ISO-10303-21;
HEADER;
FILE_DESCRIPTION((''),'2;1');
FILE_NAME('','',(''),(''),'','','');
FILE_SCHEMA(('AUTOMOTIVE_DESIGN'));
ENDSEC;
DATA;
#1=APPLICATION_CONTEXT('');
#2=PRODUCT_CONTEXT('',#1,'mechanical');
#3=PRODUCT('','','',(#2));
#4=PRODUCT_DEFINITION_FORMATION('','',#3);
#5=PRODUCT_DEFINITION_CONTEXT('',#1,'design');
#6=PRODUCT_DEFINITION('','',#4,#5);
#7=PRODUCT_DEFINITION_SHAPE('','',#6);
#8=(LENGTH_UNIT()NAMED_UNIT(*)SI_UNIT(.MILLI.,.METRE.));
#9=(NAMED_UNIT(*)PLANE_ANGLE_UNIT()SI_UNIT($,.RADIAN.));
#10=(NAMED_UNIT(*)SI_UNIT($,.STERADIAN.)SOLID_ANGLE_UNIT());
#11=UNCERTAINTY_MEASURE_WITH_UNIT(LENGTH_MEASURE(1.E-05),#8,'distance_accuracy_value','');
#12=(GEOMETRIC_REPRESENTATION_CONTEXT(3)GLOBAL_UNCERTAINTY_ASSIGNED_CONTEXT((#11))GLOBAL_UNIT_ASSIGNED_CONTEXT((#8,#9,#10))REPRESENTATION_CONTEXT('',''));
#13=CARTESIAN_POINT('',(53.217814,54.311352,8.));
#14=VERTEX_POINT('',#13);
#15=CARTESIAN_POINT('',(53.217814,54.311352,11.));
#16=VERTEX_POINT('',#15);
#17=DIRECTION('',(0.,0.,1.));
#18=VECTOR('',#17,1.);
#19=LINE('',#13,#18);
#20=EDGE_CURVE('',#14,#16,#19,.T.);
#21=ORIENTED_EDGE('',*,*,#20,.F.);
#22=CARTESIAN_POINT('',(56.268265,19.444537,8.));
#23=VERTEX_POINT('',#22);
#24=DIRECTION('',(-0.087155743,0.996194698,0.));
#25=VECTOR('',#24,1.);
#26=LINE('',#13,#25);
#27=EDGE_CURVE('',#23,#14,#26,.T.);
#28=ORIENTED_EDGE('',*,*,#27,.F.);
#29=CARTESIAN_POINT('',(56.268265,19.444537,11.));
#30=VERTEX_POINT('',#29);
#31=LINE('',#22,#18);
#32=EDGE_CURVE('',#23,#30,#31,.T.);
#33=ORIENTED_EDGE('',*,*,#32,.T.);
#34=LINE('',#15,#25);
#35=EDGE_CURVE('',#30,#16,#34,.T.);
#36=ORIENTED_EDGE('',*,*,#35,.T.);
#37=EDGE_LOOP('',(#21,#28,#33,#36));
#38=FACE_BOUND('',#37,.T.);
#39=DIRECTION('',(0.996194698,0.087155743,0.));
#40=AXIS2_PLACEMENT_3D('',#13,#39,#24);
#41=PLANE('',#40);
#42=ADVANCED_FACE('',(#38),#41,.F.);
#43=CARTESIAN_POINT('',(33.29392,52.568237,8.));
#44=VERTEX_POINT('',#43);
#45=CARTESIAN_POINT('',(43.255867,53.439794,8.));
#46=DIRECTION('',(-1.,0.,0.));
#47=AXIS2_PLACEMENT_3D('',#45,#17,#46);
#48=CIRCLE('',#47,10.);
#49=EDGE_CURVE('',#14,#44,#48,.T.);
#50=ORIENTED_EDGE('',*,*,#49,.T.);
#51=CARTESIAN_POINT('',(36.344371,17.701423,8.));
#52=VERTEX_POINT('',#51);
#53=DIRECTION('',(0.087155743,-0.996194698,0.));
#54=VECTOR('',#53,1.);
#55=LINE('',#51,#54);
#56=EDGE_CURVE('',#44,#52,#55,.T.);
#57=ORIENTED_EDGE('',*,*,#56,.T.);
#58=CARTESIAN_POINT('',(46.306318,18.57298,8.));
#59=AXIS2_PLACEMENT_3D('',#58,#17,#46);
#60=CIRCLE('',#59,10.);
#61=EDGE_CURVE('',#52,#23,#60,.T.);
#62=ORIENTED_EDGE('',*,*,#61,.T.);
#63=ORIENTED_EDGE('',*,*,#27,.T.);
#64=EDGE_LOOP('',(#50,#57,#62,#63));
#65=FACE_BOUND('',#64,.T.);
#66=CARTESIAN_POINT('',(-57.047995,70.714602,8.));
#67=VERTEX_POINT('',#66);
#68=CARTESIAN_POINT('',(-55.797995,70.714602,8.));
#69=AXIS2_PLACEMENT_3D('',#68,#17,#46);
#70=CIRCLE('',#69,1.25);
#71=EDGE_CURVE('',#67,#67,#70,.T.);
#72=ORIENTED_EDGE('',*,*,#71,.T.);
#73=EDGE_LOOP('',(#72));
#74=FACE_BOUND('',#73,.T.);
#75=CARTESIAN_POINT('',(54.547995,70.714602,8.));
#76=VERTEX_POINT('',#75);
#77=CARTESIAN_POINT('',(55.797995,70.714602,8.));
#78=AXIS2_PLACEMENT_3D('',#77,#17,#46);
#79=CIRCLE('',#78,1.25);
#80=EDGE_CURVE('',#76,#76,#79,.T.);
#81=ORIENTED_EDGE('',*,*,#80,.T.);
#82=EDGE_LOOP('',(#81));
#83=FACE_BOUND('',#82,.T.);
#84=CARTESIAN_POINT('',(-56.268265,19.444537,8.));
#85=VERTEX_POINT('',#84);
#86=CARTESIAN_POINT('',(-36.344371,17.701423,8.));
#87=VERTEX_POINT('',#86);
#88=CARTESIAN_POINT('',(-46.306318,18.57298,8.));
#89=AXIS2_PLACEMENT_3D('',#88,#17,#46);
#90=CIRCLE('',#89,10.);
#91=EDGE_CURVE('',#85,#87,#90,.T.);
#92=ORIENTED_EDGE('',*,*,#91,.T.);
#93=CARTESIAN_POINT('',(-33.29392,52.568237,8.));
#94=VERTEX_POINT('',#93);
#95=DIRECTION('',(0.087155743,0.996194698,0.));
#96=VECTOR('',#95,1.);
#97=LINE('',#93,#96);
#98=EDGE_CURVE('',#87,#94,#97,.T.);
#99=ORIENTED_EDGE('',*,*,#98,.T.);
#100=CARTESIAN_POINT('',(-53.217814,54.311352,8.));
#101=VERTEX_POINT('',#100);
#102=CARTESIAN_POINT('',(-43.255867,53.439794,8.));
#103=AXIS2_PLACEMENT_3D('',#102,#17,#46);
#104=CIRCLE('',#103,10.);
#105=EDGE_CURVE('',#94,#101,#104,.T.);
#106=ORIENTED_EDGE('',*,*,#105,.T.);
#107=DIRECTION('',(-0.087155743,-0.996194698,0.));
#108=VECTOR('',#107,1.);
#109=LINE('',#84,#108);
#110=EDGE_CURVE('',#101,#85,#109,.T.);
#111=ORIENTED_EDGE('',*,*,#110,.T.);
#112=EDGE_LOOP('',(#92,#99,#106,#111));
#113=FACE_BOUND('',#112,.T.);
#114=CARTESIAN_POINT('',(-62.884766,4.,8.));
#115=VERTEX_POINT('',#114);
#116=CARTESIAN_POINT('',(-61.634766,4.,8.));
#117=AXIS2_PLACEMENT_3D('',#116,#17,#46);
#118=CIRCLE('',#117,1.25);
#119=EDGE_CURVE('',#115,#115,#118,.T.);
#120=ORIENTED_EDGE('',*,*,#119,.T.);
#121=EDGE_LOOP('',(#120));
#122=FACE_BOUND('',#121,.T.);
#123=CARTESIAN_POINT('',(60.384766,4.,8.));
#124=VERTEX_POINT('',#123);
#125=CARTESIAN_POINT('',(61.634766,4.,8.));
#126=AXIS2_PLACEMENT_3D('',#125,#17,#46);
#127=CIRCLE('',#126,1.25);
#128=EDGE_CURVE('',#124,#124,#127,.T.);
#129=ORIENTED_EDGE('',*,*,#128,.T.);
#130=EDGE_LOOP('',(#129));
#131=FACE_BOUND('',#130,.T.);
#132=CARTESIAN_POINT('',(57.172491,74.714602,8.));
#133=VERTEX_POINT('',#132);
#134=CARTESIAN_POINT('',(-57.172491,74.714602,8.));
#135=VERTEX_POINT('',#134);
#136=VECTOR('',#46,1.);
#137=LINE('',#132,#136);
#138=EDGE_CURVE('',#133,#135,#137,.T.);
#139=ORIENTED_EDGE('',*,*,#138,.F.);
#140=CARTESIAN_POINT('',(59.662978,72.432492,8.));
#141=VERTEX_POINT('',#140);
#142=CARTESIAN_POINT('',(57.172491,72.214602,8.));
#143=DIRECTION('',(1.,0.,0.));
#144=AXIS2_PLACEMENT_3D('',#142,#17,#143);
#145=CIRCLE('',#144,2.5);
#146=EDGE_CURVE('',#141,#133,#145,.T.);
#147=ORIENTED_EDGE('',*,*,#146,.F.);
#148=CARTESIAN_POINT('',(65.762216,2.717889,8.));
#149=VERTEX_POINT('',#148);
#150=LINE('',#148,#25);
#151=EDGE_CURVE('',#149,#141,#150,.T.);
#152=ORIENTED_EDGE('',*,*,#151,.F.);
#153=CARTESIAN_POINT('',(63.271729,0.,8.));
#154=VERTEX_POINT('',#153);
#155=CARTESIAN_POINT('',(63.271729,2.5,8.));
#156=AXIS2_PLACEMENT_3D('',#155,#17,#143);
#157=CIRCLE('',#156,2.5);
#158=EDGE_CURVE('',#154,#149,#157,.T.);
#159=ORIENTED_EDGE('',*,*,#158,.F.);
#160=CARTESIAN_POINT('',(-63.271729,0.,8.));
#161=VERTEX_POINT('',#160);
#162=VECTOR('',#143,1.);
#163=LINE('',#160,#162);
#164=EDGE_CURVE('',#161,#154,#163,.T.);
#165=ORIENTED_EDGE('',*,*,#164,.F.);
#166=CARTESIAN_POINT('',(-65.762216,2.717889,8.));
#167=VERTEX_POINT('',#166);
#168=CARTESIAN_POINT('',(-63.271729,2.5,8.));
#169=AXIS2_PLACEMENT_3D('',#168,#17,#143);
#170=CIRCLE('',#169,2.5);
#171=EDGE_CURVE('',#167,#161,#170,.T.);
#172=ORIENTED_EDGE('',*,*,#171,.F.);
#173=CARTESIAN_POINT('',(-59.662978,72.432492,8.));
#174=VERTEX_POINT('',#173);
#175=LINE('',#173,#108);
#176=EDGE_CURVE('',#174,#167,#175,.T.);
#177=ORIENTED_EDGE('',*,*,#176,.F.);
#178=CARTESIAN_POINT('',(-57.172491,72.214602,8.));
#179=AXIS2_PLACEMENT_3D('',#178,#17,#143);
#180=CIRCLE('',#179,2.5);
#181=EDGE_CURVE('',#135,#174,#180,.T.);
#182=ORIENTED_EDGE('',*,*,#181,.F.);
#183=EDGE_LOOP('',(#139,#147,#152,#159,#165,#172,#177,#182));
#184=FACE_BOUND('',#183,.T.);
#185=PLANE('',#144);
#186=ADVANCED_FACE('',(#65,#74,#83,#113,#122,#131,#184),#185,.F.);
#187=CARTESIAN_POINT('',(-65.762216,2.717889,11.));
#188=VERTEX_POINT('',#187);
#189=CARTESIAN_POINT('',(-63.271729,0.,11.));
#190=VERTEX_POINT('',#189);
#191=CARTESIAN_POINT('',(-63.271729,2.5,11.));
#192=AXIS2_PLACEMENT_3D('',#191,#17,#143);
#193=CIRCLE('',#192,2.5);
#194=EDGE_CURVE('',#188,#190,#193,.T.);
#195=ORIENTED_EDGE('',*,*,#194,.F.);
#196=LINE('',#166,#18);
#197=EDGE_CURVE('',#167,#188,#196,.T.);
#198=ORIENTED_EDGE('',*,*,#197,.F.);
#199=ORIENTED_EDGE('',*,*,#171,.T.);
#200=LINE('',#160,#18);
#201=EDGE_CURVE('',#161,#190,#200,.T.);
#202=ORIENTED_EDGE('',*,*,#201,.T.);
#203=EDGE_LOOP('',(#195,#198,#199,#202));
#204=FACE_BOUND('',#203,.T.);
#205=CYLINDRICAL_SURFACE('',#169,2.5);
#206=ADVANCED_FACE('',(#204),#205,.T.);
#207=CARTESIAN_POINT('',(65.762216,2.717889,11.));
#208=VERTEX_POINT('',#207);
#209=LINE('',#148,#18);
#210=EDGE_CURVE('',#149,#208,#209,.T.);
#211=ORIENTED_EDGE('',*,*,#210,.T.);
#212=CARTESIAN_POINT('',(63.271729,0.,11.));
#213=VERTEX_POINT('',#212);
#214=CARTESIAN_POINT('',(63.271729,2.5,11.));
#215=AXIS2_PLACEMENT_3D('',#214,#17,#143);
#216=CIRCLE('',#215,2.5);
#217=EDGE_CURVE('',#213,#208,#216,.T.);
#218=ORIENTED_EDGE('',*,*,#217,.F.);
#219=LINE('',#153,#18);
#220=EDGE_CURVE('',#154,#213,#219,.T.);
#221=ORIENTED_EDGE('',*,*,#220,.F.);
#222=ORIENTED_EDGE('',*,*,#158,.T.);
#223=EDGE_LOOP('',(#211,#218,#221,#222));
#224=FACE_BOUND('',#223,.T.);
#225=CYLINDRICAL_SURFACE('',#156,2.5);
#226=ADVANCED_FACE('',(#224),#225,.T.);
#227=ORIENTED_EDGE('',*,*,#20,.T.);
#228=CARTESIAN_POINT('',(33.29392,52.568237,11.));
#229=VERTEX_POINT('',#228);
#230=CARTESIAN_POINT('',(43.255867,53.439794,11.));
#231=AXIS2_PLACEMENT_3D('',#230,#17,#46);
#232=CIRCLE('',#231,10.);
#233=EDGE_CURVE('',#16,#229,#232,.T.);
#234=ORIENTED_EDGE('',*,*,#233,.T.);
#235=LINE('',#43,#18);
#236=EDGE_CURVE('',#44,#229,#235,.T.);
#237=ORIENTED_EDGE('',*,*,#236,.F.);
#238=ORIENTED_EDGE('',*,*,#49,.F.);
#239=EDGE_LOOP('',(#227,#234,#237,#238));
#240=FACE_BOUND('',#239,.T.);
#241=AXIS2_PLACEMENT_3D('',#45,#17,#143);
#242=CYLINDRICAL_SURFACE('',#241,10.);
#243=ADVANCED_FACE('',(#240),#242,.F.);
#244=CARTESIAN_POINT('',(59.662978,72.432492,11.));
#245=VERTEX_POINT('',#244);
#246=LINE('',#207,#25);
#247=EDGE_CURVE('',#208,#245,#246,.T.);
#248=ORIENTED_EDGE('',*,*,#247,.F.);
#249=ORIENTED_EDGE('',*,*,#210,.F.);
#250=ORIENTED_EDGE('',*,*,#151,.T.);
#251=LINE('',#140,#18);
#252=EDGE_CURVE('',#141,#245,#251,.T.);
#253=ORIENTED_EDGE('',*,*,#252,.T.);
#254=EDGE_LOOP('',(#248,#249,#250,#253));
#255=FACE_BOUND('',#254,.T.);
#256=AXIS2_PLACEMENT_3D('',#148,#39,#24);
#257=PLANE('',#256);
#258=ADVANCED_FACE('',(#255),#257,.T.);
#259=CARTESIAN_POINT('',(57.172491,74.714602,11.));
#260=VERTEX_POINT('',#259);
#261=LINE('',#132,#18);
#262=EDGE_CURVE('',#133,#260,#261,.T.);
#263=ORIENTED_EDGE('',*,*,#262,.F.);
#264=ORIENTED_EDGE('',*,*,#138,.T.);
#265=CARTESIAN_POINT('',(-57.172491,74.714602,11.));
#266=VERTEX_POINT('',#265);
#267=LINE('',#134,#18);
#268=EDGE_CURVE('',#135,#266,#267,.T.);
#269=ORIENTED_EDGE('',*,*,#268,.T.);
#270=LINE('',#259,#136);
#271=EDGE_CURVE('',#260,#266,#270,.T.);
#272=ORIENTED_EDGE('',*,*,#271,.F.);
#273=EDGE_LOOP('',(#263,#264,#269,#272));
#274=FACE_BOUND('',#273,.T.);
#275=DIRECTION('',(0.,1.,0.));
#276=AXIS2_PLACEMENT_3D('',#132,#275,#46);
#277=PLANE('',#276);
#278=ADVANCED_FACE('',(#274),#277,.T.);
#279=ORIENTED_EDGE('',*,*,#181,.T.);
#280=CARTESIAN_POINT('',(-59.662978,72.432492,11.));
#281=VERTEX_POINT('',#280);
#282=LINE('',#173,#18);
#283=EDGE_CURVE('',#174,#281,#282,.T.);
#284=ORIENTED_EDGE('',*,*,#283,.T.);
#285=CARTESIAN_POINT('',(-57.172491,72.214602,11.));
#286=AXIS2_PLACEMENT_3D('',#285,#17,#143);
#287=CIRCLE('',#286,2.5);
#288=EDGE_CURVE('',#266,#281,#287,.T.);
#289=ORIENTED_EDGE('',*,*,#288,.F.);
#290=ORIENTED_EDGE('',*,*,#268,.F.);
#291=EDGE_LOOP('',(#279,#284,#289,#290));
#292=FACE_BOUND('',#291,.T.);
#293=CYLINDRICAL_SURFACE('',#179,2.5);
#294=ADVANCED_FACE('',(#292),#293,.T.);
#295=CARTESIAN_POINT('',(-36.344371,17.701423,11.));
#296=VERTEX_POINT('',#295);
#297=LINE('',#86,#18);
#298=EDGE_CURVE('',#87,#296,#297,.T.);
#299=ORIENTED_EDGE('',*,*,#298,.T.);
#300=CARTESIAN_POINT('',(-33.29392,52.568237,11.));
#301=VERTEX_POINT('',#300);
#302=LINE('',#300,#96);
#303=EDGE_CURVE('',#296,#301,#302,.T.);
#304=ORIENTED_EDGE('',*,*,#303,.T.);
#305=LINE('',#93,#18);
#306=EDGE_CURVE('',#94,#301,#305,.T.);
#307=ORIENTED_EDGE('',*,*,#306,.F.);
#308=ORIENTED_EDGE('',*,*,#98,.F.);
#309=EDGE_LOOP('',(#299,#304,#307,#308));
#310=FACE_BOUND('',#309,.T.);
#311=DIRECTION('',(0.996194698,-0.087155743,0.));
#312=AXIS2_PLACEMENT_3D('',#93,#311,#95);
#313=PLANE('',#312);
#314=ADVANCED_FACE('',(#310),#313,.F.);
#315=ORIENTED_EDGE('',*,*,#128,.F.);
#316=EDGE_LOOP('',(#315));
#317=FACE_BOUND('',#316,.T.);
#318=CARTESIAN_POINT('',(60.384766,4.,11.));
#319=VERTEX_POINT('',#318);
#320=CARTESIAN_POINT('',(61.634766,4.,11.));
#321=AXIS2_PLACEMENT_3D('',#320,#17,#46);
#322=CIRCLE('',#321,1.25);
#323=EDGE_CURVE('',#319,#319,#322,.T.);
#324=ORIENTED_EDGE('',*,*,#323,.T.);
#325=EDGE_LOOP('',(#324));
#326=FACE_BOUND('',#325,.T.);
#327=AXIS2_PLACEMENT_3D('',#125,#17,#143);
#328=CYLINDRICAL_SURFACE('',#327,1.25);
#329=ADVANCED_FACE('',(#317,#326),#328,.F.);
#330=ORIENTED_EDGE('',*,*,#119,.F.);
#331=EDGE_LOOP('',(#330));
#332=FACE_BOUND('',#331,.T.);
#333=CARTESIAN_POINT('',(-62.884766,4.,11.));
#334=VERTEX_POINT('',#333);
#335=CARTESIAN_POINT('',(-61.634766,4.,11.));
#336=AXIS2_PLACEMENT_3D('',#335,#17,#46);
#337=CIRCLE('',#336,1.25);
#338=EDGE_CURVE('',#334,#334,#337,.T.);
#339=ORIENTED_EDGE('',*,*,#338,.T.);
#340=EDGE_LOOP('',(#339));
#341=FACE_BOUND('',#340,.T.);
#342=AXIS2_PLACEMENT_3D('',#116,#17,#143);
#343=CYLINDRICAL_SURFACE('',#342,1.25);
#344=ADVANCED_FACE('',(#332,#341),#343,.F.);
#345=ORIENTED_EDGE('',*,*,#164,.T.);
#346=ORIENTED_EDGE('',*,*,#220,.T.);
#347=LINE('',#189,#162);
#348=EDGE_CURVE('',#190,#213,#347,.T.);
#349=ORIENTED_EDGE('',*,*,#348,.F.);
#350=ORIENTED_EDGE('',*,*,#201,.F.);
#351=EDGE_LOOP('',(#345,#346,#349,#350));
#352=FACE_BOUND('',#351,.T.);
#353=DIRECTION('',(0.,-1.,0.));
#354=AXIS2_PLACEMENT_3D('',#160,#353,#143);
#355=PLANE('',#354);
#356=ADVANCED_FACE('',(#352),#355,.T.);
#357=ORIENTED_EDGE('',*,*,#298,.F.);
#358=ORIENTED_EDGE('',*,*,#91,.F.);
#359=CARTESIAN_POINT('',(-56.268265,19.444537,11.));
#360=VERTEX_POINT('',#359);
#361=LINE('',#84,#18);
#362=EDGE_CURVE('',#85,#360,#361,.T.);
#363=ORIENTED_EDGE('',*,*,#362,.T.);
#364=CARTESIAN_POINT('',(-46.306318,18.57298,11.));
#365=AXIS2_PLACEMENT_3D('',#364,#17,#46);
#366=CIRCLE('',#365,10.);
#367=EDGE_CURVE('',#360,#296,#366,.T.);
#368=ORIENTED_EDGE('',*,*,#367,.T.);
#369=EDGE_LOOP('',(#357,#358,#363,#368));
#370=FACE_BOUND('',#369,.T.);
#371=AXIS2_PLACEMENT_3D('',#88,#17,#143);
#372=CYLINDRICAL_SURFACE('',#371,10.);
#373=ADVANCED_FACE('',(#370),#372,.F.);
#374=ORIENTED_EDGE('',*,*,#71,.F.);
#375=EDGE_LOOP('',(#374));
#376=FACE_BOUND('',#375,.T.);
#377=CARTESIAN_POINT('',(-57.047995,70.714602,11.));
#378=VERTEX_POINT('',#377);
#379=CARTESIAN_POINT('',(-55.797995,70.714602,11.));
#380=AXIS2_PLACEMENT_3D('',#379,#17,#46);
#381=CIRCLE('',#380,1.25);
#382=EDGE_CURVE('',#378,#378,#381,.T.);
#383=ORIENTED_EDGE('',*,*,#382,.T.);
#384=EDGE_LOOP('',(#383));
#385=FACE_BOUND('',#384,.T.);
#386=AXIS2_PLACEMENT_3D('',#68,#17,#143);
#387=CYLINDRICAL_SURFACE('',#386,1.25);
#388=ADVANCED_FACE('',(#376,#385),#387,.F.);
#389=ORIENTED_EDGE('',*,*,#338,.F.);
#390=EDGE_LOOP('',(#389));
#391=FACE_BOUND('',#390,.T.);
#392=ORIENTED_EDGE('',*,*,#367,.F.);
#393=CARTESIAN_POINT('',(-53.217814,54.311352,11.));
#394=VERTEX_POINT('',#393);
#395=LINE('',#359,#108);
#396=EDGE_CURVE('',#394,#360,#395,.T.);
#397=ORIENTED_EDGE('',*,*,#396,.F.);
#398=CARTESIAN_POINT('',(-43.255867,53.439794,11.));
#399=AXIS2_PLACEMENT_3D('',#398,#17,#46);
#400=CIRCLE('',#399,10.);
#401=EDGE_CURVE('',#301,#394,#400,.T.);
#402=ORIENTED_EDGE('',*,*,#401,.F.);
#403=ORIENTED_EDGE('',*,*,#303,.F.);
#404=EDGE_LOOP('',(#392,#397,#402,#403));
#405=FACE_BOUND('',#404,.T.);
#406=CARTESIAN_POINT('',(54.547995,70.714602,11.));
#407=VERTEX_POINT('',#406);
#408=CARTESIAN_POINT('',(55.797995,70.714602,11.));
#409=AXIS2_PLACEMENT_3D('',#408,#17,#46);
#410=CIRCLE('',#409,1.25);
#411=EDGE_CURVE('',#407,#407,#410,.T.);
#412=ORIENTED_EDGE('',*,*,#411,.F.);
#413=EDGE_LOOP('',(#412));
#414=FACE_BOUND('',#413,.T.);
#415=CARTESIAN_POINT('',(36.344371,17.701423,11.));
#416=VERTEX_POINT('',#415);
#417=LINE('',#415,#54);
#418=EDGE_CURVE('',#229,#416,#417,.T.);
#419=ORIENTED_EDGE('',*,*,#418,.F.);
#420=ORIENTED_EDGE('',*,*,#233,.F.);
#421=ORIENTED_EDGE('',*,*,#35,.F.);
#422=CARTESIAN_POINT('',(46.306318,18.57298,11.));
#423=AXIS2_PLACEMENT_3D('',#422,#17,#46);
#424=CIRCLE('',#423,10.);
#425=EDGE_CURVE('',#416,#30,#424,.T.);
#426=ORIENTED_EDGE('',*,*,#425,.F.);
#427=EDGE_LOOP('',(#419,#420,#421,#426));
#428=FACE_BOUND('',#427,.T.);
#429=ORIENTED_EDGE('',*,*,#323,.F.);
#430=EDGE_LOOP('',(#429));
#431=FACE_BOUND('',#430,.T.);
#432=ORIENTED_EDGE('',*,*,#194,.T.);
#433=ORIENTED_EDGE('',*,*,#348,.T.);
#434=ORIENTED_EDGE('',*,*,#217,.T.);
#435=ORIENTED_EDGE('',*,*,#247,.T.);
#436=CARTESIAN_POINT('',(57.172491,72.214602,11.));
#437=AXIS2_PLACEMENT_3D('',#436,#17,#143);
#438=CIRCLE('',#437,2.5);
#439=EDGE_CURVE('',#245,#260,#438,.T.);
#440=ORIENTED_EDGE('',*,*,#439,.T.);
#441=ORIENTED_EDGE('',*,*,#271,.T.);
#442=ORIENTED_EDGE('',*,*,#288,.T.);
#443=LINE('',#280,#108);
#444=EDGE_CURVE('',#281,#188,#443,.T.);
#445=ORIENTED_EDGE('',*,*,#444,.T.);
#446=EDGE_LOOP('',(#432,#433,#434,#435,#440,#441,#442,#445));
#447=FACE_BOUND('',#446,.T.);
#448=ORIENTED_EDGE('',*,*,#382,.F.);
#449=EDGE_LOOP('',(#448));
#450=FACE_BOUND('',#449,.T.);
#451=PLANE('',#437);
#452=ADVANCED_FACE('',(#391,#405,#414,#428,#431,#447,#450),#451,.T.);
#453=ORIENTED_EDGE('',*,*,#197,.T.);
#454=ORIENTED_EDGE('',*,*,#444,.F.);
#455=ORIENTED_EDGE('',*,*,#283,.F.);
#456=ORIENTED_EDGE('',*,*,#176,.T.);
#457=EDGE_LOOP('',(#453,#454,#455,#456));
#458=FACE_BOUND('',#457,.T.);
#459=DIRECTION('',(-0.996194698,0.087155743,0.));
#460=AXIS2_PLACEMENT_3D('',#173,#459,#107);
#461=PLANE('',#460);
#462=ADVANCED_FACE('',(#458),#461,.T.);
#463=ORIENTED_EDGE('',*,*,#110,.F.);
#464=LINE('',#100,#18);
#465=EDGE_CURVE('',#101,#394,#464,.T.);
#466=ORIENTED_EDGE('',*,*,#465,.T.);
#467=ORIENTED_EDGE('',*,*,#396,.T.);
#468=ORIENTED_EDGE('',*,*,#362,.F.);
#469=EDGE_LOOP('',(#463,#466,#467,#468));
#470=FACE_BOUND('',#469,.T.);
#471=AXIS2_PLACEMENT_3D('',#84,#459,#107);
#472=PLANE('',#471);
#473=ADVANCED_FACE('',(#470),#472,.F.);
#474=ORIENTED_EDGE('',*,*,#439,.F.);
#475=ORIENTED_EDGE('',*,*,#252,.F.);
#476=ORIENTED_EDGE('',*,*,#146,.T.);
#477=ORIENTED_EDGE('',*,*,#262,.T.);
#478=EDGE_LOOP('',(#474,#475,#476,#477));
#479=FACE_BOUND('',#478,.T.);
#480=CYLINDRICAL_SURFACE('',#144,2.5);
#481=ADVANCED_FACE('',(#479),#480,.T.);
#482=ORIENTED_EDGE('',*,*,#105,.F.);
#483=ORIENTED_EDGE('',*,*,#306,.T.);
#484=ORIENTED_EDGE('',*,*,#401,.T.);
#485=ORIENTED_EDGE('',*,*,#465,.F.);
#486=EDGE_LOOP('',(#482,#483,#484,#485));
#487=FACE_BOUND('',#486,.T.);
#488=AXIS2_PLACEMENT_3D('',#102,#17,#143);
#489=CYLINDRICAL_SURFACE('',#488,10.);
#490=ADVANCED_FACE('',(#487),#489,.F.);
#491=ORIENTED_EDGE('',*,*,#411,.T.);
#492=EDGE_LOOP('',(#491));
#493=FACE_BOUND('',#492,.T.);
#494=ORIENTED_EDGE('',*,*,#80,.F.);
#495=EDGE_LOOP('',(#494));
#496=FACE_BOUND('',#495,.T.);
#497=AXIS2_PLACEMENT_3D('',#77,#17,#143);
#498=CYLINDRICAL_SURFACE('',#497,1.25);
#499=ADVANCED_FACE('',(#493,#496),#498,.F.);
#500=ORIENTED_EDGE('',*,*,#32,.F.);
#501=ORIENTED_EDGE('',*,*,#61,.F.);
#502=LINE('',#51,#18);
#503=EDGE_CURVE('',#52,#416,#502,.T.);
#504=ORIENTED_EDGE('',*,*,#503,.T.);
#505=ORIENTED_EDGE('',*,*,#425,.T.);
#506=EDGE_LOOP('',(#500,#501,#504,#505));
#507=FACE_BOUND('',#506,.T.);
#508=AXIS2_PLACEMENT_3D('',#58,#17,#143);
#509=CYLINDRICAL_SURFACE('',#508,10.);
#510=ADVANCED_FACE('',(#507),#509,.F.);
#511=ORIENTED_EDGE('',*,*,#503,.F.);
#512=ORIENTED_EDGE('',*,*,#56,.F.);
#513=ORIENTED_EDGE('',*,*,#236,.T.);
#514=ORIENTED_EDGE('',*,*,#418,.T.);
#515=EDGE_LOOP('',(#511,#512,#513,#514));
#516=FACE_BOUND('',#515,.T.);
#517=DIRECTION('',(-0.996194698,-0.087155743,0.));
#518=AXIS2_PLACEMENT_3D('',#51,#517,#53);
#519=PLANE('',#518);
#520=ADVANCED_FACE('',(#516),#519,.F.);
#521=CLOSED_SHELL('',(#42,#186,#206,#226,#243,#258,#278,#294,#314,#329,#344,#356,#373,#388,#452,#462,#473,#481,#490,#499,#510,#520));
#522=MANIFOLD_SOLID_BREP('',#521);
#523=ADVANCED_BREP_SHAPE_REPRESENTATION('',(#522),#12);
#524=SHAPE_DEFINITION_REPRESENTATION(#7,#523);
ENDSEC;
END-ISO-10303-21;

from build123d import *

# Parameters (mm, degrees)
SKETCH1_R           = 1.25
BOSS_EXTRUDE1_DEPTH = 3


with BuildPart() as part:
    # Sketch1 → Boss-Extrude1 (new body)
    with BuildSketch(Plane.XY.offset(11)):
        with BuildLine():
            Line((57.172491377, 74.714602367), (-57.172491341, 74.714602367))
            ThreePointArc((-57.172491341, 74.714602367), (-58.861466857, 74.05779571), (-59.662978082, 72.432491728))
            Line((-59.662978082, 72.432491728), (-65.762215507, 2.717889374))
            ThreePointArc((-65.762215507, 2.717889374), (-65.1149221, 0.811024486), (-63.271728747, 0))
            Line((-63.271728747, 0), (63.271728783, 0))
            ThreePointArc((63.271728783, 0), (65.114922137, 0.811024486), (65.762215543, 2.717889374))
            Line((65.762215543, 2.717889374), (59.662978119, 72.432491728))
            ThreePointArc((59.662978119, 72.432491728), (58.861466894, 74.05779571), (57.172491377, 74.714602367))
        make_face()
        with Locations((55.797994598, 70.714602357)):
            Circle(SKETCH1_R, mode=Mode.SUBTRACT)
        with Locations((-61.634765996, 4)):
            Circle(SKETCH1_R, mode=Mode.SUBTRACT)
        with Locations((-55.797994598, 70.714602357)):
            Circle(SKETCH1_R, mode=Mode.SUBTRACT)
        with Locations((61.634765996, 4)):
            Circle(SKETCH1_R, mode=Mode.SUBTRACT)
        with BuildLine():
            Line((53.217813713, 54.311351811), (56.268264715, 19.444537378))
            ThreePointArc((56.268264715, 19.444537378), (47.177875152, 8.611032956), (36.34437073, 17.701422518))
            Line((36.34437073, 17.701422518), (33.293919727, 52.56823695))
            ThreePointArc((33.293919727, 52.56823695), (42.38430929, 63.401741373), (53.217813713, 54.311351811))
        make_face(mode=Mode.SUBTRACT)
        with BuildLine():
            Line((-33.293919727, 52.56823695), (-36.34437073, 17.701422518))
            ThreePointArc((-36.34437073, 17.701422518), (-47.17787515, 8.611032957), (-56.268264712, 19.444537376))
            Line((-56.268264712, 19.444537376), (-53.217813716, 54.311351809))
            ThreePointArc((-53.217813716, 54.311351809), (-42.384309292, 63.401741375), (-33.293919727, 52.56823695))
        make_face(mode=Mode.SUBTRACT)
    extrude(amount=-BOSS_EXTRUDE1_DEPTH)


solid = part.part
